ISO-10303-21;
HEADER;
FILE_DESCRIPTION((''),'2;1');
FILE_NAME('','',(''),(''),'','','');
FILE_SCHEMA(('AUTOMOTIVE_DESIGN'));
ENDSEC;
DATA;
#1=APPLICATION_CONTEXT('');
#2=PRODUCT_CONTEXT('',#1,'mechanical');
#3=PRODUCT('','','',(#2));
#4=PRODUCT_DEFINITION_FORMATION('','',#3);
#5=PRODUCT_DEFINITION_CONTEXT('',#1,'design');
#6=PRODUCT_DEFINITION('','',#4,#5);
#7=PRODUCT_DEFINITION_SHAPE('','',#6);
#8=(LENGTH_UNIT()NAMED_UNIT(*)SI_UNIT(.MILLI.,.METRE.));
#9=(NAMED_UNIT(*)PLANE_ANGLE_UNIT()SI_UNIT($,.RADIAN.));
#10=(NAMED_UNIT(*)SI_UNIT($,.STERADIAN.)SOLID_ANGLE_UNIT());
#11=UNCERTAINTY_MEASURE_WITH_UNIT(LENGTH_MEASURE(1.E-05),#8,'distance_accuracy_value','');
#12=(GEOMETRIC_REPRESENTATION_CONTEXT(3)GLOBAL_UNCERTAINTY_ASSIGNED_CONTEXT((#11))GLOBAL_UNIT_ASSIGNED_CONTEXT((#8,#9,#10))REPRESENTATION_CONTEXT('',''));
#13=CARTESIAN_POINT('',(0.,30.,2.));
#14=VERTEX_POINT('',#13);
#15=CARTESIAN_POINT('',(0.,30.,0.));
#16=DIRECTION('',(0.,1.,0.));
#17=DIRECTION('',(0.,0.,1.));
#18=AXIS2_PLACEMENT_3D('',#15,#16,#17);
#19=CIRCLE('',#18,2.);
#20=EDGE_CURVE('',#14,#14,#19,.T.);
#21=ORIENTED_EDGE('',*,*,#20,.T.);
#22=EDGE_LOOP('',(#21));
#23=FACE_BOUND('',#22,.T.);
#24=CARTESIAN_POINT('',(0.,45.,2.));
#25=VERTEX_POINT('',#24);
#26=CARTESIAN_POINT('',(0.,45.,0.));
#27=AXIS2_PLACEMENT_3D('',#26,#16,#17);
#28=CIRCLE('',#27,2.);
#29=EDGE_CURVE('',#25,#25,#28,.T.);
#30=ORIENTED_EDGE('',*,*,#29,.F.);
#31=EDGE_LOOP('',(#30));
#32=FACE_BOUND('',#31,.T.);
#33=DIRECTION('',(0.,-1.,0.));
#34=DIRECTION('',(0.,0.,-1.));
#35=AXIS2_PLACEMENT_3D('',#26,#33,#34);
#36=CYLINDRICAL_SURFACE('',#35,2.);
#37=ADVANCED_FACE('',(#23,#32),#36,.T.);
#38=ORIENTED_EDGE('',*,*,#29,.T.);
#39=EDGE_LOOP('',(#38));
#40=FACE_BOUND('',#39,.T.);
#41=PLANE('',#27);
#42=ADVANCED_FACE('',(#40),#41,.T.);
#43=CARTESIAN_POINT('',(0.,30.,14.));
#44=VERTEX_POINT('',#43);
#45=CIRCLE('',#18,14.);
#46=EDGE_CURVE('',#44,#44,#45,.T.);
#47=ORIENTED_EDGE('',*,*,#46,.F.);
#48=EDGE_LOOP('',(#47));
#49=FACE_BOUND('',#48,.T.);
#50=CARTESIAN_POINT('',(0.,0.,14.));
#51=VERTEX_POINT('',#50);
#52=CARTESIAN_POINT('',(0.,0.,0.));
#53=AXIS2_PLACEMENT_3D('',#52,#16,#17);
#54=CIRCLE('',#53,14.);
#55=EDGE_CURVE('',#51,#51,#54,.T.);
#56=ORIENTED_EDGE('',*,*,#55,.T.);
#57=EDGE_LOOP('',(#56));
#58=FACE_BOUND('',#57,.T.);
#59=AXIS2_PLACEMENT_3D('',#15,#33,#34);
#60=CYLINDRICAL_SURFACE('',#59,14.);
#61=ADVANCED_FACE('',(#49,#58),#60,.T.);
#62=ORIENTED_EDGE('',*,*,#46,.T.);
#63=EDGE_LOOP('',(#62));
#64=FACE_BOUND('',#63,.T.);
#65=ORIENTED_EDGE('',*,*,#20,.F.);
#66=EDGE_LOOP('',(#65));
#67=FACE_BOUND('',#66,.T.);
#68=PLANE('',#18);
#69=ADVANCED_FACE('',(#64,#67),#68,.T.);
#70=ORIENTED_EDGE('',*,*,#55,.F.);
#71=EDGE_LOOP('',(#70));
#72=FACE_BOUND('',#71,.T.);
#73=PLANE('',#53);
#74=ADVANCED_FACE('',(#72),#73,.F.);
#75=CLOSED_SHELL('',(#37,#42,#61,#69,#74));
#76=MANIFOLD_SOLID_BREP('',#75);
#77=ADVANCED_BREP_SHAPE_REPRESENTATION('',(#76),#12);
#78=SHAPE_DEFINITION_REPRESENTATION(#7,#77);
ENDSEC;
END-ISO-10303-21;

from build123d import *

# Parameters (mm, degrees)
SKETCH1_R           = 14
BOSS_EXTRUDE1_DEPTH = 30
SKETCH2_R           = 2
BOSS_EXTRUDE2_DEPTH = 15


with BuildPart() as part:
    # Sketch1 → Boss-Extrude1 (new body)
    with BuildSketch(Plane(origin=(0, 0, 0), x_dir=(1, 0, 0), z_dir=(0, 1, 0))):
        Circle(SKETCH1_R)
    extrude(amount=BOSS_EXTRUDE1_DEPTH)

    # Sketch2 → Boss-Extrude2 (add)
    with BuildSketch(Plane(origin=(0, 30, 0), x_dir=(1, 0, 0), z_dir=(0, 1, 0))):
        Circle(SKETCH2_R)
    extrude(amount=BOSS_EXTRUDE2_DEPTH)


solid = part.part
